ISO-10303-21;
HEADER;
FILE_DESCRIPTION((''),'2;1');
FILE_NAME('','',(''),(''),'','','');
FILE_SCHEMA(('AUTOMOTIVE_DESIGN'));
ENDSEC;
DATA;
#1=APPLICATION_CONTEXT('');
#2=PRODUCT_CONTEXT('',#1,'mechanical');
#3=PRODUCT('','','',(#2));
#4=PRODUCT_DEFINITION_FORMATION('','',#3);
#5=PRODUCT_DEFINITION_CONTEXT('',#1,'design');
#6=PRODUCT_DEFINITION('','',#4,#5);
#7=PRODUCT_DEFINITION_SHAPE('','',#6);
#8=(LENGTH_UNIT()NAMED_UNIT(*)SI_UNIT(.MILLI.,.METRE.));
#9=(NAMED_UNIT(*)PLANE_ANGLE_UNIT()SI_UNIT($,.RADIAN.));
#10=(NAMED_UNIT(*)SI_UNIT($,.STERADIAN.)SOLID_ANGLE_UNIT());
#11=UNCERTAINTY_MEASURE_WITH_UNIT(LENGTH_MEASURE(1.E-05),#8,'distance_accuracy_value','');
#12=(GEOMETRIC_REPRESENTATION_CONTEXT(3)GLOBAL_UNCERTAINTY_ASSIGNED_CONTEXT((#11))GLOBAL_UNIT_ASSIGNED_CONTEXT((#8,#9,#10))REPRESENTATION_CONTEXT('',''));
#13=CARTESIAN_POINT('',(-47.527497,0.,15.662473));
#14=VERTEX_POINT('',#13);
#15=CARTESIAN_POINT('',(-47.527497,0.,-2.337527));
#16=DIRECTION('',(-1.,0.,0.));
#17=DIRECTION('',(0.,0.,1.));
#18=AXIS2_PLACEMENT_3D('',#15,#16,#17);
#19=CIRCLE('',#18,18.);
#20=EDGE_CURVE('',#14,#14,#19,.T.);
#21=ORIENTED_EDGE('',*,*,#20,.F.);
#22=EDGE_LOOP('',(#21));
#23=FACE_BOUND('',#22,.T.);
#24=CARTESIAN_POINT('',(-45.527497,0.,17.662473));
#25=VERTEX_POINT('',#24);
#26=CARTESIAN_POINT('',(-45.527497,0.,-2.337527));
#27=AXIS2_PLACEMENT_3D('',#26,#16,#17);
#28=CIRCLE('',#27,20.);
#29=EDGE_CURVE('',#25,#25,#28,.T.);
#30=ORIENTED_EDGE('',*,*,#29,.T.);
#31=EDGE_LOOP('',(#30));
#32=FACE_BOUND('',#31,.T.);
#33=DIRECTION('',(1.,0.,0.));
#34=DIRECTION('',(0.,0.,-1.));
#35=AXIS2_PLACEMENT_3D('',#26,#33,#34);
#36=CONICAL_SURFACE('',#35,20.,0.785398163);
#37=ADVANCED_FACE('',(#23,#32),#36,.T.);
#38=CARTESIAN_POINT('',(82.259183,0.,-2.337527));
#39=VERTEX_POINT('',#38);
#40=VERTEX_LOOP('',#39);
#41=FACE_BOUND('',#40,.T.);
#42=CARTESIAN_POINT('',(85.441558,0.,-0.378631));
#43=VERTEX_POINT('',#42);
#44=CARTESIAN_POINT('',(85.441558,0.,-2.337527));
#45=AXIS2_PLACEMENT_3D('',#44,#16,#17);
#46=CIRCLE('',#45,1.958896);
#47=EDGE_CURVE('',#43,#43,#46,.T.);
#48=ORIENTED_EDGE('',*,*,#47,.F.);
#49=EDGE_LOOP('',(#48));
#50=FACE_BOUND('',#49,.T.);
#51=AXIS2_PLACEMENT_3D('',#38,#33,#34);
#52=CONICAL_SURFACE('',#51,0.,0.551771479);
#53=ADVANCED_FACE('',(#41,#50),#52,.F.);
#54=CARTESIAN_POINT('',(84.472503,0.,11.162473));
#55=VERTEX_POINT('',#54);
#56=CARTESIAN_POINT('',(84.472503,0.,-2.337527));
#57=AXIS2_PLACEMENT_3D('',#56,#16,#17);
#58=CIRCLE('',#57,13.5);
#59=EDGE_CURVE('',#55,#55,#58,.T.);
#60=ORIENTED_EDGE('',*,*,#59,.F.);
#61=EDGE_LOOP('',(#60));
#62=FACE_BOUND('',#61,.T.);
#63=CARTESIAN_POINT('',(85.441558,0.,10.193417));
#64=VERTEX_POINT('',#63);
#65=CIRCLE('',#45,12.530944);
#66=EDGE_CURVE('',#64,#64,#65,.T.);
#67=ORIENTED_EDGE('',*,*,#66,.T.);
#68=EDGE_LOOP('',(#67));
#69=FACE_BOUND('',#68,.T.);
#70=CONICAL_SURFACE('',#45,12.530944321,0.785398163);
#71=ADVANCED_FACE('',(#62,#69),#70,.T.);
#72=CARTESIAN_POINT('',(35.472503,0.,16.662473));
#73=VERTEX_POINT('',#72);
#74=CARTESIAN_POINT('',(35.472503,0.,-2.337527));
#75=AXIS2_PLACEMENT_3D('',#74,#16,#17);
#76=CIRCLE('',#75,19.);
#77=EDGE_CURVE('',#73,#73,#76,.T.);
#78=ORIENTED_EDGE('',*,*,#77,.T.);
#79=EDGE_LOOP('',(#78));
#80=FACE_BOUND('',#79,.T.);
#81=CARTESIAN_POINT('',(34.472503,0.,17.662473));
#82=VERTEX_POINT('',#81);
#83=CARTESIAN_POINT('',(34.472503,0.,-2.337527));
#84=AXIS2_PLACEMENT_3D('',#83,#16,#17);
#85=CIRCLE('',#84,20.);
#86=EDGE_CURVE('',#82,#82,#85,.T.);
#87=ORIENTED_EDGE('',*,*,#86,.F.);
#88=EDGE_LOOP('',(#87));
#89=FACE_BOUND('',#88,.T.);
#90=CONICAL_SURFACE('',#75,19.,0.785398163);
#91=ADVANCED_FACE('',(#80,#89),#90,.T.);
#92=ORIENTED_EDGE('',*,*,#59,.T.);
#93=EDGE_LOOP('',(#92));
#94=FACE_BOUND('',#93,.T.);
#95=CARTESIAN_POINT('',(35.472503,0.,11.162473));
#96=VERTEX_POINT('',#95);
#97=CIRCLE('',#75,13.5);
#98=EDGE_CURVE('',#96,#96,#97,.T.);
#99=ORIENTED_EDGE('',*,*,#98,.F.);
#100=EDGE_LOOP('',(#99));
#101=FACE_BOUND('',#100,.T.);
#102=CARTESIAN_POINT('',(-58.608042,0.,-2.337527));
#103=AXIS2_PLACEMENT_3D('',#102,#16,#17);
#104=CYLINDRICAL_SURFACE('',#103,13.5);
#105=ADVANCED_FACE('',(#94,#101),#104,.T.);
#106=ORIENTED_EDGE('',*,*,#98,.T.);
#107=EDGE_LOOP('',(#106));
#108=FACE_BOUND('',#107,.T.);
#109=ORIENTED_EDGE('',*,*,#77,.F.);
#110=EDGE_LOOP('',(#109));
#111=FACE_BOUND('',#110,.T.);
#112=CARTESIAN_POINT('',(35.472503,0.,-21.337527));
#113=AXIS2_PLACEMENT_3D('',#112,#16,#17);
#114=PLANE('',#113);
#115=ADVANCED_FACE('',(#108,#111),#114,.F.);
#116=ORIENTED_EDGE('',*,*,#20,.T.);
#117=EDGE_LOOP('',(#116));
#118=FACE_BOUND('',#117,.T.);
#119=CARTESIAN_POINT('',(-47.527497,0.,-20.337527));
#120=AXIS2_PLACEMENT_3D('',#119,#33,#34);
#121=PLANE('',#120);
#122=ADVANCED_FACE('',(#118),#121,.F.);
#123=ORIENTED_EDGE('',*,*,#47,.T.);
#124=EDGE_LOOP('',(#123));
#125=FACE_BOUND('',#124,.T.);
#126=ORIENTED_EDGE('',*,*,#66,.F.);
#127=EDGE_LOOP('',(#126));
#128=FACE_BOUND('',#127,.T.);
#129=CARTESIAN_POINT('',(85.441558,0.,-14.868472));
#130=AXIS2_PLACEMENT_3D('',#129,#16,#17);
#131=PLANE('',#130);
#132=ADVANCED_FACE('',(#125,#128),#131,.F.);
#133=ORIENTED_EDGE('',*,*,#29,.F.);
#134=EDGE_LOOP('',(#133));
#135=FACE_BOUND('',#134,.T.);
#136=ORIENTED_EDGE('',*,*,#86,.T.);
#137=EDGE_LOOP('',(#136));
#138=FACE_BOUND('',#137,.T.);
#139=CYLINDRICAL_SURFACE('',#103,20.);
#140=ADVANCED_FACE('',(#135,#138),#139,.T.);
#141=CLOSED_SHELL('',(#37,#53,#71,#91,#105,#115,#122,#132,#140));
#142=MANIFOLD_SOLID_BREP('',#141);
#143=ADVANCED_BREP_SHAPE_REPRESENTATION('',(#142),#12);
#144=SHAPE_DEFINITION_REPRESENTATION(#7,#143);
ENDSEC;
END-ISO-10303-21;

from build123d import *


with BuildPart() as part:
    # Эскиз2 → Повернуть1 (revolve)
    with BuildSketch(Plane(origin=(0, 0, 0), x_dir=(1, 0, 0), z_dir=(0, 1, 0)), mode=Mode.PRIVATE) as revolve_1_sk:
        Polygon((-45.527497303, 22.337527379), (34.472502697, 22.337527379), (35.472502697, 21.337527379), (35.472502697, 15.837527379), (84.472502697, 15.837527379), (85.441558376, 14.8684717), (85.441558376, 4.296423316), (82.259183132, 2.337527379), (-47.527497303, 2.337527379), (-47.527497303, 20.337527379), align=None)
    revolve(revolve_1_sk.sketch.rotate(Axis((-58.608041749, 0, -2.337527379), (1, 0, 0)), 180), axis=Axis((-58.608041749, 0, -2.337527379), (1, 0, 0)))


solid = part.part
